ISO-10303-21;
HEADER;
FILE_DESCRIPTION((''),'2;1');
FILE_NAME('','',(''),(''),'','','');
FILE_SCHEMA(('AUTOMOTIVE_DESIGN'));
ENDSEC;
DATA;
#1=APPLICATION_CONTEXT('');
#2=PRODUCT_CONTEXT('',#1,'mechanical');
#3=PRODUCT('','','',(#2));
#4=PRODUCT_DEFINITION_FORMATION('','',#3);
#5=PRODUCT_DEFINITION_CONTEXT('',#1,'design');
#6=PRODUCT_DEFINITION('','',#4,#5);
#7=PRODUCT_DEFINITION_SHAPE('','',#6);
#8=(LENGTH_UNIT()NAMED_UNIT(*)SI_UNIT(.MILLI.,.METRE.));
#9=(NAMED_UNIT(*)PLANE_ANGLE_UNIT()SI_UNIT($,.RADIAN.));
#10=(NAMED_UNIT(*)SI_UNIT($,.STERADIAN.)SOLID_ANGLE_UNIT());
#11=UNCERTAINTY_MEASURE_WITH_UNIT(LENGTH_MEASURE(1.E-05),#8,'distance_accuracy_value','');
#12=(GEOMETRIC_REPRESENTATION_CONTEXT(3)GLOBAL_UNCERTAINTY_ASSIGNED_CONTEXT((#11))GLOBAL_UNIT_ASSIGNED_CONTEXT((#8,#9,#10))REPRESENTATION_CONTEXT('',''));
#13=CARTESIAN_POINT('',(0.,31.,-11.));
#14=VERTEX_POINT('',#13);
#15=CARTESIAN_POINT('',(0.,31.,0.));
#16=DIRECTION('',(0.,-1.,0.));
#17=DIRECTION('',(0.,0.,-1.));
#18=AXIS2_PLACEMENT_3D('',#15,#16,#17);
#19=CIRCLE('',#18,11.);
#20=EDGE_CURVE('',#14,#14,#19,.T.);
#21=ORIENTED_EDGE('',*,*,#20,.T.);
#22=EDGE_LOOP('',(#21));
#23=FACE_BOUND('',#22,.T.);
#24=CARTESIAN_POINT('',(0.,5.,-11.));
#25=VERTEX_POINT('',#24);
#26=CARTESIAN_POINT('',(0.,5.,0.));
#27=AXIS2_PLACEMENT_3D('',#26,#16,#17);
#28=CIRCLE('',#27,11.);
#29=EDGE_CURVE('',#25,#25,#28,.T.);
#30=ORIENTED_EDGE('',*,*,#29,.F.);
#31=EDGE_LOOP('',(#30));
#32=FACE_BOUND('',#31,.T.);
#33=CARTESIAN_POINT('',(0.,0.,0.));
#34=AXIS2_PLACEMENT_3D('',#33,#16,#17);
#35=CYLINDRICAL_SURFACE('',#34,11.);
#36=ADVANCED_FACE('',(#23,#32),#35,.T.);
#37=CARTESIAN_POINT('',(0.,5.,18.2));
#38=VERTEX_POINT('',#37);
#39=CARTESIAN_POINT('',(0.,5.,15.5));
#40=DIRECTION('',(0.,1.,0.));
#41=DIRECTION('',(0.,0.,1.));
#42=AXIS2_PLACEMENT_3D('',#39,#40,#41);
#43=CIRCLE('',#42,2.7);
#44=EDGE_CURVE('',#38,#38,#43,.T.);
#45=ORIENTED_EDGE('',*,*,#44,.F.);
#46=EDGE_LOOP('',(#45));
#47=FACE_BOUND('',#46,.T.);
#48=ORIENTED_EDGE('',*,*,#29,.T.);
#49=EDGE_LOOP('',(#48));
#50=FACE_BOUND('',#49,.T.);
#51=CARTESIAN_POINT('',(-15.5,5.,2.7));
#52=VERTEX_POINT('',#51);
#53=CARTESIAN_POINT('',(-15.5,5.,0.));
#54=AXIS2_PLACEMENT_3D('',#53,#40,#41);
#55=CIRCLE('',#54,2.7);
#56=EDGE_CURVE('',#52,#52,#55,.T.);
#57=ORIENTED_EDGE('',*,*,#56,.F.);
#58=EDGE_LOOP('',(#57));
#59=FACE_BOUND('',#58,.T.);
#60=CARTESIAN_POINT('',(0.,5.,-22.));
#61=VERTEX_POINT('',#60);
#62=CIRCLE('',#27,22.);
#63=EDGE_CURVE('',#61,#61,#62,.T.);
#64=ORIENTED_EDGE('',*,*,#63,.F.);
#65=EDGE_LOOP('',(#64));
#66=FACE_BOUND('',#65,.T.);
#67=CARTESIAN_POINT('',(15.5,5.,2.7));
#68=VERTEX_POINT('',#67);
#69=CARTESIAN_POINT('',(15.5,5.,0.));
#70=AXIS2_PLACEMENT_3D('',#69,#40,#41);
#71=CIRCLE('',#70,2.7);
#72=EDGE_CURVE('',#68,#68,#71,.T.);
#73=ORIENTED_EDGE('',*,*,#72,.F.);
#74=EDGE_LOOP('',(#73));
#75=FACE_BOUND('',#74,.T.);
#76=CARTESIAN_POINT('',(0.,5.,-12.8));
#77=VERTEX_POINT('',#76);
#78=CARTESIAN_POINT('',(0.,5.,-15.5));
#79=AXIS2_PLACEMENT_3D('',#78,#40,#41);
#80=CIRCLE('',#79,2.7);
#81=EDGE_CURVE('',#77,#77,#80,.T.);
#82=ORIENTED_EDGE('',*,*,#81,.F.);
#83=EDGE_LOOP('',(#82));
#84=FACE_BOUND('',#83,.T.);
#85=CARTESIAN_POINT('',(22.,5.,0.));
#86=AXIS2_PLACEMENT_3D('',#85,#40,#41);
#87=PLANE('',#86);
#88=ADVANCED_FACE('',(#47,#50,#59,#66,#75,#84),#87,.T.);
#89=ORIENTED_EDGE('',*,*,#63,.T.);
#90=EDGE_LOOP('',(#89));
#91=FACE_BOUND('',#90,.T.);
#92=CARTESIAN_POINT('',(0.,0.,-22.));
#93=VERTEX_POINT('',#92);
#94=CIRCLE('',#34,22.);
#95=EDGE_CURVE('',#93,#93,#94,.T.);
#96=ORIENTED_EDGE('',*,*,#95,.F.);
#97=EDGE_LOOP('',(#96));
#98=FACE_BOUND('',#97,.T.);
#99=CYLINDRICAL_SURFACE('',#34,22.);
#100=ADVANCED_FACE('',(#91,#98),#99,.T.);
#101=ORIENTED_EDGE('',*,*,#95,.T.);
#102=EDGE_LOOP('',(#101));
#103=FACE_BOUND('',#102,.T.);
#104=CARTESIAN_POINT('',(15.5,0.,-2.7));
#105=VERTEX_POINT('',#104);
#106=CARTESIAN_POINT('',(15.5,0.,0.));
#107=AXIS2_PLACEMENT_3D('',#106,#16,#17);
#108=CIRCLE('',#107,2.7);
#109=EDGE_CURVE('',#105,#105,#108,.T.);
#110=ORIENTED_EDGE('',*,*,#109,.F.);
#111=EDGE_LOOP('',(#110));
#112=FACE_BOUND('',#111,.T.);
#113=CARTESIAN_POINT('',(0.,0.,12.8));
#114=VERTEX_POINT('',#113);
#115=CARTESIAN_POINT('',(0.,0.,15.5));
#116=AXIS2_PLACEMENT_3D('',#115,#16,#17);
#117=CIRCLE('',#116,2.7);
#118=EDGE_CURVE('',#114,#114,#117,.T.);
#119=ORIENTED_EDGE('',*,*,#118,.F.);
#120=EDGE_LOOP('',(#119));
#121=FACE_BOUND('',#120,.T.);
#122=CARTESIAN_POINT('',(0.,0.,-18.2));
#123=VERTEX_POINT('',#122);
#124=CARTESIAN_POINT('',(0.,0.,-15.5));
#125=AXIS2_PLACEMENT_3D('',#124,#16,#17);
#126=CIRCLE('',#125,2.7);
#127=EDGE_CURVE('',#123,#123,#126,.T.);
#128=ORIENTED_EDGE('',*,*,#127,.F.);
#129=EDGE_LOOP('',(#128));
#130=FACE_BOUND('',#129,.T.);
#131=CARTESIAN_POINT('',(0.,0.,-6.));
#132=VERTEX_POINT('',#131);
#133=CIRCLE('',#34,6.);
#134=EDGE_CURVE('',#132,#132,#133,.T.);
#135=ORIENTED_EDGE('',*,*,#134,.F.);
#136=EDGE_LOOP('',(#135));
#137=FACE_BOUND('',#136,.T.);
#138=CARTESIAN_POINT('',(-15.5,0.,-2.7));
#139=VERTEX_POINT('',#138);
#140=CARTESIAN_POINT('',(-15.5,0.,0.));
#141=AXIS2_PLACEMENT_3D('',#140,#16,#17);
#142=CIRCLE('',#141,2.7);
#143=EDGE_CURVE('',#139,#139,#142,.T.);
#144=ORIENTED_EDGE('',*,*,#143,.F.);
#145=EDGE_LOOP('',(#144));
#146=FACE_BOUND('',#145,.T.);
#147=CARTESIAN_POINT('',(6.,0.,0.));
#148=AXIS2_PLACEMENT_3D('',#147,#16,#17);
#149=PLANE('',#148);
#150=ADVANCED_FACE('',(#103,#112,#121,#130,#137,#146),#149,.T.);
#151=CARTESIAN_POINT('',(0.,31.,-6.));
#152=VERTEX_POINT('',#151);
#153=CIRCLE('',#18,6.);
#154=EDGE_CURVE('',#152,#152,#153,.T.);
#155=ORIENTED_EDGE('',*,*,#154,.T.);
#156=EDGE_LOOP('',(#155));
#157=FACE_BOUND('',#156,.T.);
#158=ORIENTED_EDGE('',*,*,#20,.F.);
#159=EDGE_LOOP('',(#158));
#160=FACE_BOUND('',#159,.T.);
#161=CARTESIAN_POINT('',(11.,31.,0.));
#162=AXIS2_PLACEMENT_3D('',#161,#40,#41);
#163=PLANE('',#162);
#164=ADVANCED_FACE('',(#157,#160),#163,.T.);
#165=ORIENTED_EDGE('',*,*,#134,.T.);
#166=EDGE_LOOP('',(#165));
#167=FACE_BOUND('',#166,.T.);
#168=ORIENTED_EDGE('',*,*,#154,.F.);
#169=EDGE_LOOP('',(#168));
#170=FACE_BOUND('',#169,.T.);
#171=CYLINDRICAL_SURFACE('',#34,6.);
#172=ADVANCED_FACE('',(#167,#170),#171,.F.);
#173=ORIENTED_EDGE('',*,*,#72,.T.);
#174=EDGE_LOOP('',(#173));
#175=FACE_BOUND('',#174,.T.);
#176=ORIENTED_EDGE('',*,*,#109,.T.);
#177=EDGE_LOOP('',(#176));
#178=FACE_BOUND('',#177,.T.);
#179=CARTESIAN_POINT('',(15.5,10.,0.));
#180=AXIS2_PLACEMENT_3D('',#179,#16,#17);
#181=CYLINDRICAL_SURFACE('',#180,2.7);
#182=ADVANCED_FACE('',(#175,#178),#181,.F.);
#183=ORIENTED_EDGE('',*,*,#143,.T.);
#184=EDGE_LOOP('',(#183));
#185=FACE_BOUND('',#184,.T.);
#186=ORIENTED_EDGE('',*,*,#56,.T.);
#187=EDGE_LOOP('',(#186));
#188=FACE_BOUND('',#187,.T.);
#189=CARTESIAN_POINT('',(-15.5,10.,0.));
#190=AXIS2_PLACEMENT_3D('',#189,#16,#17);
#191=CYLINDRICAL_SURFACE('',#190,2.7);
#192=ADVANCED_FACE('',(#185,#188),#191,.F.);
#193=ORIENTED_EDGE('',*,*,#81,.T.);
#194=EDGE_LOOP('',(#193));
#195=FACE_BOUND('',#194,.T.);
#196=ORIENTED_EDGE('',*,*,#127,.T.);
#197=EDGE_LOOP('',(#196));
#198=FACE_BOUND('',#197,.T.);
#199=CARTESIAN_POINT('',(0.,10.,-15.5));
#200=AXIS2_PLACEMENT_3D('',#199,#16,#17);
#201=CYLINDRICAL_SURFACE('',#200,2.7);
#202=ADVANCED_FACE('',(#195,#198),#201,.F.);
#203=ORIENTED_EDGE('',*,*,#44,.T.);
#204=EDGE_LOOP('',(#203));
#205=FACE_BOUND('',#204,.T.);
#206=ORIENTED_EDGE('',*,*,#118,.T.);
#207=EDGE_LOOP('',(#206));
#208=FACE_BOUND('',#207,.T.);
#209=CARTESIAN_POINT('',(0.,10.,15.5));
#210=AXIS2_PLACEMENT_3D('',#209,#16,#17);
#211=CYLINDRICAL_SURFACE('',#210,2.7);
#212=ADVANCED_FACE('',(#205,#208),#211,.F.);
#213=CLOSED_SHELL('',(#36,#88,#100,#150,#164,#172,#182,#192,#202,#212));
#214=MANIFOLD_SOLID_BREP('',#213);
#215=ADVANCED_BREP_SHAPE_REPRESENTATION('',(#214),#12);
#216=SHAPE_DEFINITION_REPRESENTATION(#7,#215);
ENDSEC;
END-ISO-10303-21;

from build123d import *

# Parameters (mm, degrees)
SKETCH2_R          = 2.7
CUT_EXTRUDE1_DEPTH = 10


with BuildPart() as part:
    # Sketch1 → Revolve1 (revolve)
    with BuildSketch(Plane.XY, mode=Mode.PRIVATE) as revolve1_sk:
        Polygon((6, 0), (22, 0), (22, 5), (11, 5), (11, 31), (6, 31), align=None)
    revolve(revolve1_sk.sketch.rotate(Axis((0, 0, 0), (0, 1, 0)), 90), axis=Axis((0, 0, 0), (0, 1, 0)))  # turned: the seam where the file's is

    # Sketch2 → Cut-Extrude1 (cut)
    with BuildSketch(Plane.XZ):
        with Locations(Location((0, 15.5, 0), (0, 0, 270))):  # turned: the seam where the file's is
            Circle(SKETCH2_R)
        with Locations(Location((15.5, 0, 0), (0, 0, 270))):  # turned: the seam where the file's is
            Circle(SKETCH2_R)
        with Locations(Location((0, -15.5, 0), (0, 0, 270))):  # turned: the seam where the file's is
            Circle(SKETCH2_R)
        with Locations(Location((-15.5, 0, 0), (0, 0, 270))):  # turned: the seam where the file's is
            Circle(SKETCH2_R)
    extrude(amount=-CUT_EXTRUDE1_DEPTH, mode=Mode.SUBTRACT)


solid = part.part
